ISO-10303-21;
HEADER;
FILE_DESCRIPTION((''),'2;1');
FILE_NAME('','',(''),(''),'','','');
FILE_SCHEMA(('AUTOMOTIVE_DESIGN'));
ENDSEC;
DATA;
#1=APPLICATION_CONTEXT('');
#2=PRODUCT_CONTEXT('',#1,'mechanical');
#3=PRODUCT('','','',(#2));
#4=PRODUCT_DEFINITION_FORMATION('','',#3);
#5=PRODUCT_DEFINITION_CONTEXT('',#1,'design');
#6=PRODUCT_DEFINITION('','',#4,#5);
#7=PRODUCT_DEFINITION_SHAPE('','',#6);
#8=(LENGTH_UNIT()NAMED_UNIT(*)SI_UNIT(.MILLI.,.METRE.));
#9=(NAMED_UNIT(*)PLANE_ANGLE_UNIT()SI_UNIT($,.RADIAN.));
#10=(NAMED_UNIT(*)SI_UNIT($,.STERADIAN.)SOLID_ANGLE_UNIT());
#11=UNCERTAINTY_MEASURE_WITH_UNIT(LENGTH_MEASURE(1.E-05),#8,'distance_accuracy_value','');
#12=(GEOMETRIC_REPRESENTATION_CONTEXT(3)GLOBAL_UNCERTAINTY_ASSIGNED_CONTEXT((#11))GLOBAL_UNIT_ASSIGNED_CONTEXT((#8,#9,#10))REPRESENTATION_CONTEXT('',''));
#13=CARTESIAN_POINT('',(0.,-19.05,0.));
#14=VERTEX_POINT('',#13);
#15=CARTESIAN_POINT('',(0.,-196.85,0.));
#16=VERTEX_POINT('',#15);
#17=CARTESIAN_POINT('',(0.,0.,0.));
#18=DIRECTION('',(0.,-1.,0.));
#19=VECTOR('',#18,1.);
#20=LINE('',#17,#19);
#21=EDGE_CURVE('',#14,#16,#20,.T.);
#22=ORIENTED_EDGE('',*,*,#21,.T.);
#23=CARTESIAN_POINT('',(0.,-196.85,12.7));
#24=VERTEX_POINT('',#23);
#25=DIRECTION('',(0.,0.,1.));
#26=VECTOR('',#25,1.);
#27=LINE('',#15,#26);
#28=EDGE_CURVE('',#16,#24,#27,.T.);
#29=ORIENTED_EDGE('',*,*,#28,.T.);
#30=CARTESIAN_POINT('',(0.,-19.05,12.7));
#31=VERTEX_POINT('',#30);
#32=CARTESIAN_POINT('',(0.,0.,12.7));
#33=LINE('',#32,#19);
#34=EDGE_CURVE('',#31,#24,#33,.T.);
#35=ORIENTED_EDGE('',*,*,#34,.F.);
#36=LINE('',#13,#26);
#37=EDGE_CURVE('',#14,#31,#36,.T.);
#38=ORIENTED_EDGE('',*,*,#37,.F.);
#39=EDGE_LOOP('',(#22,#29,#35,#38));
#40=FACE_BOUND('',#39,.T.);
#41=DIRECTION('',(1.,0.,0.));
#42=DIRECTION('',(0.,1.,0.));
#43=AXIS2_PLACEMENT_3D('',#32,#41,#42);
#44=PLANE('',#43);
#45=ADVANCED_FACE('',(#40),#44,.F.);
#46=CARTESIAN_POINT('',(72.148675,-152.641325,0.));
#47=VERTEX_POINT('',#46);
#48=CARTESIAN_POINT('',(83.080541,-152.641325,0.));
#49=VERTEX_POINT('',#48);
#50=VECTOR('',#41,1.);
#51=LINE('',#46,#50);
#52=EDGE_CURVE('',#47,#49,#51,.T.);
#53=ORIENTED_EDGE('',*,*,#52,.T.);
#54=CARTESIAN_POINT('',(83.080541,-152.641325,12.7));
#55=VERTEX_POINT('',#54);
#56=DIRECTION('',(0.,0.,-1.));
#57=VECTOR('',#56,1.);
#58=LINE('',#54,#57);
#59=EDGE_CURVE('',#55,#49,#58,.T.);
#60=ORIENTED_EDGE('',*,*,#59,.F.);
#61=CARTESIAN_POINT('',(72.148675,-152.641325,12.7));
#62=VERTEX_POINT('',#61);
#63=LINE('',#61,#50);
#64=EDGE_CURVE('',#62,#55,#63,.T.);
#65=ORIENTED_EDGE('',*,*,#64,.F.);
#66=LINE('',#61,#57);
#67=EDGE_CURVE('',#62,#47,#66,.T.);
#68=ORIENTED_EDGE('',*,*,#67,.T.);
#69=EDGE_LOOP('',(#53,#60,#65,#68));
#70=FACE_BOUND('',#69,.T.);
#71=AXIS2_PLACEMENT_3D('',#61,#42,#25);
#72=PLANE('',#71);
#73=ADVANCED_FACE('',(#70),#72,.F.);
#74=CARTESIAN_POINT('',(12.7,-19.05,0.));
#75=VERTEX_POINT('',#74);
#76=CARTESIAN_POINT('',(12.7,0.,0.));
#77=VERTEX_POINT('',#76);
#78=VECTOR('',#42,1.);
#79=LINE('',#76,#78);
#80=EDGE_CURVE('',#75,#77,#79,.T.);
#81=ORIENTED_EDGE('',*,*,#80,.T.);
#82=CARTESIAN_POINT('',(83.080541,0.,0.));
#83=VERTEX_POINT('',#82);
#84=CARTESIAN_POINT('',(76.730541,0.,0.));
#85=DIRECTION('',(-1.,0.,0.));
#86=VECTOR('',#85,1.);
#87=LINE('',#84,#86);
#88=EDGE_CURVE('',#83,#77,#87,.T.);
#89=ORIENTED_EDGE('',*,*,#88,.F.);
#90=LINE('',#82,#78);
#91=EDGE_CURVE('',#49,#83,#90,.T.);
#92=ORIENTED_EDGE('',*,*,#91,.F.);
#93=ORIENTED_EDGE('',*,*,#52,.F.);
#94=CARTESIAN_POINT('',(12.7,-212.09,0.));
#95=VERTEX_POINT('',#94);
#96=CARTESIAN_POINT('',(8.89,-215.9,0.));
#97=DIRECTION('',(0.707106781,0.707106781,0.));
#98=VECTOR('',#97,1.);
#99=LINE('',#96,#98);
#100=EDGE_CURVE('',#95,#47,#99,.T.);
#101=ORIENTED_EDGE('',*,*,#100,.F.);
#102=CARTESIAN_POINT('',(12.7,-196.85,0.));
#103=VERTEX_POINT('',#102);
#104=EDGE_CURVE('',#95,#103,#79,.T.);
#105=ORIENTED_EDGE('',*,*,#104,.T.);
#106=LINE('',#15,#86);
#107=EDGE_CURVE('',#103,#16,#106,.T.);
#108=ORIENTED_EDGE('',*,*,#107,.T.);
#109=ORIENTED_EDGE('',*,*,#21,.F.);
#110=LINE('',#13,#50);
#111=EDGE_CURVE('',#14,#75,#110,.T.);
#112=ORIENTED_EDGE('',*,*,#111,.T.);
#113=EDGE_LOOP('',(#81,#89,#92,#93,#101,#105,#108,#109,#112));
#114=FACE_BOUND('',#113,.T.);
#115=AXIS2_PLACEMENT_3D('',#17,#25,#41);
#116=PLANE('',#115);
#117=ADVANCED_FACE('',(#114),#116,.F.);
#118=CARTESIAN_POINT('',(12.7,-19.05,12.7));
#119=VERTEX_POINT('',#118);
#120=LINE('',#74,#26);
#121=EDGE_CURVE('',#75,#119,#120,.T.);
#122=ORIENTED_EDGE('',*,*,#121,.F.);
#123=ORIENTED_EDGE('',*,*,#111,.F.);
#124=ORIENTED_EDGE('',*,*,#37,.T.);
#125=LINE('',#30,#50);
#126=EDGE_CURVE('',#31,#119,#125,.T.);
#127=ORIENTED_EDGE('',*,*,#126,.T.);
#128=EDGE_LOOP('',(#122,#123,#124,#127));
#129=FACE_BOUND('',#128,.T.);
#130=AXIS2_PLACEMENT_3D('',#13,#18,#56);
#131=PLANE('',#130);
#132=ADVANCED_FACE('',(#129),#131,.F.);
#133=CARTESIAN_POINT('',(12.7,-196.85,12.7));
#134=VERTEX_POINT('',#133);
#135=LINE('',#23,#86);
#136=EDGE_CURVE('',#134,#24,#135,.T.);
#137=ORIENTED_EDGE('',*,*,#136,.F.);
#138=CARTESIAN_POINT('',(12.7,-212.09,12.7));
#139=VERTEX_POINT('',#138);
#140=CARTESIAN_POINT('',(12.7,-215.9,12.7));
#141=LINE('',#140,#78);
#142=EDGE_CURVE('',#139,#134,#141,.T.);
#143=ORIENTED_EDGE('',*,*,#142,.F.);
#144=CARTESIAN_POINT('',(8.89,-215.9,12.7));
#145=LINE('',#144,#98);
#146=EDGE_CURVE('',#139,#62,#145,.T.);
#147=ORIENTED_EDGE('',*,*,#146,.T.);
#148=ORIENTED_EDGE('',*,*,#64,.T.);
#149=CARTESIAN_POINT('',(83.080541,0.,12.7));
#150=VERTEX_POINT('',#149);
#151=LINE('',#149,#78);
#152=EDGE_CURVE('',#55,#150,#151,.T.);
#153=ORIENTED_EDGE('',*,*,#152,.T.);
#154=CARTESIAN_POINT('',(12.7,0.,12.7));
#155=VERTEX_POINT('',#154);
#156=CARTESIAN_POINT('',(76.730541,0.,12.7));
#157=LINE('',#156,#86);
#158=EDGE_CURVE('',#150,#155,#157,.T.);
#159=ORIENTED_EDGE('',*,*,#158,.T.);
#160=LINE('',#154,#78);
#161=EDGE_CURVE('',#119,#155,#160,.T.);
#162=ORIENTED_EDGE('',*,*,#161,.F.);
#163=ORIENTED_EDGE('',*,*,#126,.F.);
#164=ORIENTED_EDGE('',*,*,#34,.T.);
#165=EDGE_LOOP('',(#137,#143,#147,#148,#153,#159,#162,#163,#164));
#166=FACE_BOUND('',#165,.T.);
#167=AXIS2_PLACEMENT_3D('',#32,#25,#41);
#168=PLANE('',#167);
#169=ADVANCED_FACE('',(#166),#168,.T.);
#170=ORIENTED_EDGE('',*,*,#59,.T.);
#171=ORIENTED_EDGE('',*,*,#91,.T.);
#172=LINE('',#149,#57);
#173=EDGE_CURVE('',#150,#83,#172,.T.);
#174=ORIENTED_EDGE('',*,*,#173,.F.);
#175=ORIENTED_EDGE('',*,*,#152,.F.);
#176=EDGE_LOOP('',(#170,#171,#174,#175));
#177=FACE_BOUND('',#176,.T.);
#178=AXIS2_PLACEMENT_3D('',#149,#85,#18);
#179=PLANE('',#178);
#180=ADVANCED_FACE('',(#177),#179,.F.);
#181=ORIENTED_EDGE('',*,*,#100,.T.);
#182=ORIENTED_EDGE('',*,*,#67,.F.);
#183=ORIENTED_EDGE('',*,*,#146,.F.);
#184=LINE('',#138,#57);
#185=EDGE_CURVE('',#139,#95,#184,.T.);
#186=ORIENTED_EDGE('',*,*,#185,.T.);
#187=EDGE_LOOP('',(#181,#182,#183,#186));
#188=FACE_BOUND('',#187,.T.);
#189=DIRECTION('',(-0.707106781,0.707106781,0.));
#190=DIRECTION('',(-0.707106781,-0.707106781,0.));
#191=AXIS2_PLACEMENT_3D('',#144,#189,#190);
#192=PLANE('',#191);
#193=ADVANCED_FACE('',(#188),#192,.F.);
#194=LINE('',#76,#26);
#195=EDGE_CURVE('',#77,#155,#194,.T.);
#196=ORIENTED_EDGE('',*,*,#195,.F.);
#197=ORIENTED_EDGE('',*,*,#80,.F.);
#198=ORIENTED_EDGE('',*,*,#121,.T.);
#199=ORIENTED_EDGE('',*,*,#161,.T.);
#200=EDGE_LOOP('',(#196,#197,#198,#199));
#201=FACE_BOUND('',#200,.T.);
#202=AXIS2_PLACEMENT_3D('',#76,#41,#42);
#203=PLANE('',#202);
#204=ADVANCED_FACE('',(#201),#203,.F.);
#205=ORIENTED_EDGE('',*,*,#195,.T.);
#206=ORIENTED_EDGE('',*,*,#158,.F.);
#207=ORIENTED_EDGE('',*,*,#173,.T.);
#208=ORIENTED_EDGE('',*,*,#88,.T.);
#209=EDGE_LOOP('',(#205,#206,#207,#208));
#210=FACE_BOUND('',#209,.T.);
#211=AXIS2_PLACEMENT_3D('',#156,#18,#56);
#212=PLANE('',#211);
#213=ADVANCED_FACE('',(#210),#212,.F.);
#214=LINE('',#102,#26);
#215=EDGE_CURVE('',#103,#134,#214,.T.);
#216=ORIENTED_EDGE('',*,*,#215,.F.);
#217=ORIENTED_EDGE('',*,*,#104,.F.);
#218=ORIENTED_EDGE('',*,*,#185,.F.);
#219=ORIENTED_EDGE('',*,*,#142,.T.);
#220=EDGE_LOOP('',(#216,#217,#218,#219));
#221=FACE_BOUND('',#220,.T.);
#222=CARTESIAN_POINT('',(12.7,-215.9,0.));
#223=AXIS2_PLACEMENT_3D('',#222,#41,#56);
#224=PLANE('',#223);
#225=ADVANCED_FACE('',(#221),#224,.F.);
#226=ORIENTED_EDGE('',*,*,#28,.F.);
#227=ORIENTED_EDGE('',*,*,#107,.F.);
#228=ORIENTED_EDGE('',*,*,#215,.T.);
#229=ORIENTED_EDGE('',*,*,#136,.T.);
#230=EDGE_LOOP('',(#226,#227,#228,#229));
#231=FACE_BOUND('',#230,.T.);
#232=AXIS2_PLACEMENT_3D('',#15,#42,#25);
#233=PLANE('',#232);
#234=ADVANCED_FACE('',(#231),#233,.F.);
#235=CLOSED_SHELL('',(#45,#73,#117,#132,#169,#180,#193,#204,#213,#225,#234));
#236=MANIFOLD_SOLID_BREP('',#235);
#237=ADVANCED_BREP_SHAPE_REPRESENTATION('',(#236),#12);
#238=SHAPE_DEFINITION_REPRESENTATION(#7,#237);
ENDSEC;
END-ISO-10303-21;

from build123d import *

# Parameters (mm, degrees)
BOSS_EXTRUDE1_DEPTH = 12.7
SKETCH2_W           = 12.7
SKETCH2_H           = 19.05
CUT_EXTRUDE1_DEPTH  = 13.7


with BuildPart() as part:
    # Sketch1 → Boss-Extrude1 (new body)
    with BuildSketch(Plane.XY):
        Polygon((0, -215.9), (8.89, -215.9), (72.148675035, -152.641324965), (83.080541238, -152.641324965), (83.080541238, 0), (76.730541238, 0), (0, 0), align=None)
    extrude(amount=BOSS_EXTRUDE1_DEPTH)

    # Sketch2 → Cut-Extrude1 (cut, through all)
    with BuildSketch(Plane.XY.offset(12.7)):
        with Locations((6.35, -9.525)):
            Rectangle(SKETCH2_W, SKETCH2_H)
        with Locations((6.35, -206.375)):
            Rectangle(SKETCH2_W, SKETCH2_H)
    extrude(amount=-CUT_EXTRUDE1_DEPTH, mode=Mode.SUBTRACT)


solid = part.part
